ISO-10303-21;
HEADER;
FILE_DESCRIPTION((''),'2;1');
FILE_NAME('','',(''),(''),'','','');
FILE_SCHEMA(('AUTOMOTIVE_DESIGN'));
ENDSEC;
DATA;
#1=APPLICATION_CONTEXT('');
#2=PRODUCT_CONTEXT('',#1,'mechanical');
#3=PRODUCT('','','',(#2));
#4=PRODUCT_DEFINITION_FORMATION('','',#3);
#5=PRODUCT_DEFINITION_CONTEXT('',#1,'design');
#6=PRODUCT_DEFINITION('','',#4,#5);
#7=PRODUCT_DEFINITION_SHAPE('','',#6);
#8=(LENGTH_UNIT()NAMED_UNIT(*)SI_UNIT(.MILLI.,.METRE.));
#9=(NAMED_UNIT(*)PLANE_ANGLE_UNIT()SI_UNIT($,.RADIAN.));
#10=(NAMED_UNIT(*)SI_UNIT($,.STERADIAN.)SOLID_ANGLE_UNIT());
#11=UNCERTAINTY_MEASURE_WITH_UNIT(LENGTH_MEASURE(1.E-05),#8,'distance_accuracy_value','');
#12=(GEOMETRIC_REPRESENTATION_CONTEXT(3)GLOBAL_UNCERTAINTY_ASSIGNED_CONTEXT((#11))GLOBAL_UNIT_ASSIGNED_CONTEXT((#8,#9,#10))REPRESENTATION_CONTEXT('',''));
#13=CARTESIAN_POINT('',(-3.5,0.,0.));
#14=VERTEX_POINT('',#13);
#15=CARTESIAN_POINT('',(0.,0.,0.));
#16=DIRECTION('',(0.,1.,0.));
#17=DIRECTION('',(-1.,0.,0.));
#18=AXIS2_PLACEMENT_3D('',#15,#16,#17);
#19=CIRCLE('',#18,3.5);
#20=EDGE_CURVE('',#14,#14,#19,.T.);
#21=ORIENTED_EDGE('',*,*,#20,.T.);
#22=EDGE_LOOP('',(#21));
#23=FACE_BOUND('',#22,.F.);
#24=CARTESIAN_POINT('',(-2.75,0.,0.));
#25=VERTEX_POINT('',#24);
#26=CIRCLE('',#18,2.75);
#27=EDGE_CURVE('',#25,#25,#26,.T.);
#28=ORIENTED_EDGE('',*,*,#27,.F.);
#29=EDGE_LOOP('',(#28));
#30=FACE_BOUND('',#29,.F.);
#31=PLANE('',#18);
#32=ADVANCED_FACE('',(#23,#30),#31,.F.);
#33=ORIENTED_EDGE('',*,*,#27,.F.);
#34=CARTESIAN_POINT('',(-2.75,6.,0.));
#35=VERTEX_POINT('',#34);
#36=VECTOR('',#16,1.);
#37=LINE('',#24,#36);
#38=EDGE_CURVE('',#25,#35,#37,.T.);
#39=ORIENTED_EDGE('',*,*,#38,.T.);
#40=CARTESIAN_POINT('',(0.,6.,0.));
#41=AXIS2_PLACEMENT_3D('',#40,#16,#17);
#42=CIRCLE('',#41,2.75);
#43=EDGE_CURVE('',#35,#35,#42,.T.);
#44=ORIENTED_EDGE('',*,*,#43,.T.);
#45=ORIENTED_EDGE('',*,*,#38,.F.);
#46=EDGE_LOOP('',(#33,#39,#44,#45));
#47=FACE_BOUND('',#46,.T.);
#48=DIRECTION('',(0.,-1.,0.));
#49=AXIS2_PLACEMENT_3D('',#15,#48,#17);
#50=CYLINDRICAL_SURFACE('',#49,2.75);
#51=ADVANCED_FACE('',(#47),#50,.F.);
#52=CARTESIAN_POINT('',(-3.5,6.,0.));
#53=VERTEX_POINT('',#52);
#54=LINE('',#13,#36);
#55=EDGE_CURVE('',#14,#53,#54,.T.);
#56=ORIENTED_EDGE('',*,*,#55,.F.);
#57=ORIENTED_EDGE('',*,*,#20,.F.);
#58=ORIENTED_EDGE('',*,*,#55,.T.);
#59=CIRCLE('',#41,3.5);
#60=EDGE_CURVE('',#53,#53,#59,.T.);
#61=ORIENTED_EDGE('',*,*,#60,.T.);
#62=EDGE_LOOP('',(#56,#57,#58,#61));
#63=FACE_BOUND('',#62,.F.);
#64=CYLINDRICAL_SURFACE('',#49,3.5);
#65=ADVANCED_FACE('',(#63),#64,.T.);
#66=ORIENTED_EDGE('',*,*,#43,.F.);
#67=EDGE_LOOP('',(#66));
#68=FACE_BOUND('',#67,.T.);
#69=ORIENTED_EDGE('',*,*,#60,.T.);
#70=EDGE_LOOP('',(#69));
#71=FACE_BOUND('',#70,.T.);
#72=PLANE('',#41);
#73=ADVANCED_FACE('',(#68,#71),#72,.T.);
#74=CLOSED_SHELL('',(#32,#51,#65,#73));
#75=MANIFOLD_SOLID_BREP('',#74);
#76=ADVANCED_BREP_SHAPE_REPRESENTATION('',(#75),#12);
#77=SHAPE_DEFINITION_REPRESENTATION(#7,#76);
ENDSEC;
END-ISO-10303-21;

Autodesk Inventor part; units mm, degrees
ref_plane "YZ Plane" through (0, 0, 0) normal (1, 0, 0) x (0, 1, 0)
ref_plane "XZ Plane" through (0, 0, 0) normal (0, 1, 0) x (-1, 0, 0)
ref_plane "XY Plane" through (0, 0, 0) normal (0, 0, 1) x (1, 0, 0)
sketch "Sketch1" plane through (0, 0, 0) normal (0, 1, 0) x (-1, 0, 0)
  circle A0 centre (0, 0) radius 2.75
  circle A1 centre (0, 0) radius 3.5
  dimension "d0" = 5.5
  dimension "d1" = 7
extrude "Extrusion1" add sketch "Sketch1" along normal blind 6
properties part number "Buje_inercia"
